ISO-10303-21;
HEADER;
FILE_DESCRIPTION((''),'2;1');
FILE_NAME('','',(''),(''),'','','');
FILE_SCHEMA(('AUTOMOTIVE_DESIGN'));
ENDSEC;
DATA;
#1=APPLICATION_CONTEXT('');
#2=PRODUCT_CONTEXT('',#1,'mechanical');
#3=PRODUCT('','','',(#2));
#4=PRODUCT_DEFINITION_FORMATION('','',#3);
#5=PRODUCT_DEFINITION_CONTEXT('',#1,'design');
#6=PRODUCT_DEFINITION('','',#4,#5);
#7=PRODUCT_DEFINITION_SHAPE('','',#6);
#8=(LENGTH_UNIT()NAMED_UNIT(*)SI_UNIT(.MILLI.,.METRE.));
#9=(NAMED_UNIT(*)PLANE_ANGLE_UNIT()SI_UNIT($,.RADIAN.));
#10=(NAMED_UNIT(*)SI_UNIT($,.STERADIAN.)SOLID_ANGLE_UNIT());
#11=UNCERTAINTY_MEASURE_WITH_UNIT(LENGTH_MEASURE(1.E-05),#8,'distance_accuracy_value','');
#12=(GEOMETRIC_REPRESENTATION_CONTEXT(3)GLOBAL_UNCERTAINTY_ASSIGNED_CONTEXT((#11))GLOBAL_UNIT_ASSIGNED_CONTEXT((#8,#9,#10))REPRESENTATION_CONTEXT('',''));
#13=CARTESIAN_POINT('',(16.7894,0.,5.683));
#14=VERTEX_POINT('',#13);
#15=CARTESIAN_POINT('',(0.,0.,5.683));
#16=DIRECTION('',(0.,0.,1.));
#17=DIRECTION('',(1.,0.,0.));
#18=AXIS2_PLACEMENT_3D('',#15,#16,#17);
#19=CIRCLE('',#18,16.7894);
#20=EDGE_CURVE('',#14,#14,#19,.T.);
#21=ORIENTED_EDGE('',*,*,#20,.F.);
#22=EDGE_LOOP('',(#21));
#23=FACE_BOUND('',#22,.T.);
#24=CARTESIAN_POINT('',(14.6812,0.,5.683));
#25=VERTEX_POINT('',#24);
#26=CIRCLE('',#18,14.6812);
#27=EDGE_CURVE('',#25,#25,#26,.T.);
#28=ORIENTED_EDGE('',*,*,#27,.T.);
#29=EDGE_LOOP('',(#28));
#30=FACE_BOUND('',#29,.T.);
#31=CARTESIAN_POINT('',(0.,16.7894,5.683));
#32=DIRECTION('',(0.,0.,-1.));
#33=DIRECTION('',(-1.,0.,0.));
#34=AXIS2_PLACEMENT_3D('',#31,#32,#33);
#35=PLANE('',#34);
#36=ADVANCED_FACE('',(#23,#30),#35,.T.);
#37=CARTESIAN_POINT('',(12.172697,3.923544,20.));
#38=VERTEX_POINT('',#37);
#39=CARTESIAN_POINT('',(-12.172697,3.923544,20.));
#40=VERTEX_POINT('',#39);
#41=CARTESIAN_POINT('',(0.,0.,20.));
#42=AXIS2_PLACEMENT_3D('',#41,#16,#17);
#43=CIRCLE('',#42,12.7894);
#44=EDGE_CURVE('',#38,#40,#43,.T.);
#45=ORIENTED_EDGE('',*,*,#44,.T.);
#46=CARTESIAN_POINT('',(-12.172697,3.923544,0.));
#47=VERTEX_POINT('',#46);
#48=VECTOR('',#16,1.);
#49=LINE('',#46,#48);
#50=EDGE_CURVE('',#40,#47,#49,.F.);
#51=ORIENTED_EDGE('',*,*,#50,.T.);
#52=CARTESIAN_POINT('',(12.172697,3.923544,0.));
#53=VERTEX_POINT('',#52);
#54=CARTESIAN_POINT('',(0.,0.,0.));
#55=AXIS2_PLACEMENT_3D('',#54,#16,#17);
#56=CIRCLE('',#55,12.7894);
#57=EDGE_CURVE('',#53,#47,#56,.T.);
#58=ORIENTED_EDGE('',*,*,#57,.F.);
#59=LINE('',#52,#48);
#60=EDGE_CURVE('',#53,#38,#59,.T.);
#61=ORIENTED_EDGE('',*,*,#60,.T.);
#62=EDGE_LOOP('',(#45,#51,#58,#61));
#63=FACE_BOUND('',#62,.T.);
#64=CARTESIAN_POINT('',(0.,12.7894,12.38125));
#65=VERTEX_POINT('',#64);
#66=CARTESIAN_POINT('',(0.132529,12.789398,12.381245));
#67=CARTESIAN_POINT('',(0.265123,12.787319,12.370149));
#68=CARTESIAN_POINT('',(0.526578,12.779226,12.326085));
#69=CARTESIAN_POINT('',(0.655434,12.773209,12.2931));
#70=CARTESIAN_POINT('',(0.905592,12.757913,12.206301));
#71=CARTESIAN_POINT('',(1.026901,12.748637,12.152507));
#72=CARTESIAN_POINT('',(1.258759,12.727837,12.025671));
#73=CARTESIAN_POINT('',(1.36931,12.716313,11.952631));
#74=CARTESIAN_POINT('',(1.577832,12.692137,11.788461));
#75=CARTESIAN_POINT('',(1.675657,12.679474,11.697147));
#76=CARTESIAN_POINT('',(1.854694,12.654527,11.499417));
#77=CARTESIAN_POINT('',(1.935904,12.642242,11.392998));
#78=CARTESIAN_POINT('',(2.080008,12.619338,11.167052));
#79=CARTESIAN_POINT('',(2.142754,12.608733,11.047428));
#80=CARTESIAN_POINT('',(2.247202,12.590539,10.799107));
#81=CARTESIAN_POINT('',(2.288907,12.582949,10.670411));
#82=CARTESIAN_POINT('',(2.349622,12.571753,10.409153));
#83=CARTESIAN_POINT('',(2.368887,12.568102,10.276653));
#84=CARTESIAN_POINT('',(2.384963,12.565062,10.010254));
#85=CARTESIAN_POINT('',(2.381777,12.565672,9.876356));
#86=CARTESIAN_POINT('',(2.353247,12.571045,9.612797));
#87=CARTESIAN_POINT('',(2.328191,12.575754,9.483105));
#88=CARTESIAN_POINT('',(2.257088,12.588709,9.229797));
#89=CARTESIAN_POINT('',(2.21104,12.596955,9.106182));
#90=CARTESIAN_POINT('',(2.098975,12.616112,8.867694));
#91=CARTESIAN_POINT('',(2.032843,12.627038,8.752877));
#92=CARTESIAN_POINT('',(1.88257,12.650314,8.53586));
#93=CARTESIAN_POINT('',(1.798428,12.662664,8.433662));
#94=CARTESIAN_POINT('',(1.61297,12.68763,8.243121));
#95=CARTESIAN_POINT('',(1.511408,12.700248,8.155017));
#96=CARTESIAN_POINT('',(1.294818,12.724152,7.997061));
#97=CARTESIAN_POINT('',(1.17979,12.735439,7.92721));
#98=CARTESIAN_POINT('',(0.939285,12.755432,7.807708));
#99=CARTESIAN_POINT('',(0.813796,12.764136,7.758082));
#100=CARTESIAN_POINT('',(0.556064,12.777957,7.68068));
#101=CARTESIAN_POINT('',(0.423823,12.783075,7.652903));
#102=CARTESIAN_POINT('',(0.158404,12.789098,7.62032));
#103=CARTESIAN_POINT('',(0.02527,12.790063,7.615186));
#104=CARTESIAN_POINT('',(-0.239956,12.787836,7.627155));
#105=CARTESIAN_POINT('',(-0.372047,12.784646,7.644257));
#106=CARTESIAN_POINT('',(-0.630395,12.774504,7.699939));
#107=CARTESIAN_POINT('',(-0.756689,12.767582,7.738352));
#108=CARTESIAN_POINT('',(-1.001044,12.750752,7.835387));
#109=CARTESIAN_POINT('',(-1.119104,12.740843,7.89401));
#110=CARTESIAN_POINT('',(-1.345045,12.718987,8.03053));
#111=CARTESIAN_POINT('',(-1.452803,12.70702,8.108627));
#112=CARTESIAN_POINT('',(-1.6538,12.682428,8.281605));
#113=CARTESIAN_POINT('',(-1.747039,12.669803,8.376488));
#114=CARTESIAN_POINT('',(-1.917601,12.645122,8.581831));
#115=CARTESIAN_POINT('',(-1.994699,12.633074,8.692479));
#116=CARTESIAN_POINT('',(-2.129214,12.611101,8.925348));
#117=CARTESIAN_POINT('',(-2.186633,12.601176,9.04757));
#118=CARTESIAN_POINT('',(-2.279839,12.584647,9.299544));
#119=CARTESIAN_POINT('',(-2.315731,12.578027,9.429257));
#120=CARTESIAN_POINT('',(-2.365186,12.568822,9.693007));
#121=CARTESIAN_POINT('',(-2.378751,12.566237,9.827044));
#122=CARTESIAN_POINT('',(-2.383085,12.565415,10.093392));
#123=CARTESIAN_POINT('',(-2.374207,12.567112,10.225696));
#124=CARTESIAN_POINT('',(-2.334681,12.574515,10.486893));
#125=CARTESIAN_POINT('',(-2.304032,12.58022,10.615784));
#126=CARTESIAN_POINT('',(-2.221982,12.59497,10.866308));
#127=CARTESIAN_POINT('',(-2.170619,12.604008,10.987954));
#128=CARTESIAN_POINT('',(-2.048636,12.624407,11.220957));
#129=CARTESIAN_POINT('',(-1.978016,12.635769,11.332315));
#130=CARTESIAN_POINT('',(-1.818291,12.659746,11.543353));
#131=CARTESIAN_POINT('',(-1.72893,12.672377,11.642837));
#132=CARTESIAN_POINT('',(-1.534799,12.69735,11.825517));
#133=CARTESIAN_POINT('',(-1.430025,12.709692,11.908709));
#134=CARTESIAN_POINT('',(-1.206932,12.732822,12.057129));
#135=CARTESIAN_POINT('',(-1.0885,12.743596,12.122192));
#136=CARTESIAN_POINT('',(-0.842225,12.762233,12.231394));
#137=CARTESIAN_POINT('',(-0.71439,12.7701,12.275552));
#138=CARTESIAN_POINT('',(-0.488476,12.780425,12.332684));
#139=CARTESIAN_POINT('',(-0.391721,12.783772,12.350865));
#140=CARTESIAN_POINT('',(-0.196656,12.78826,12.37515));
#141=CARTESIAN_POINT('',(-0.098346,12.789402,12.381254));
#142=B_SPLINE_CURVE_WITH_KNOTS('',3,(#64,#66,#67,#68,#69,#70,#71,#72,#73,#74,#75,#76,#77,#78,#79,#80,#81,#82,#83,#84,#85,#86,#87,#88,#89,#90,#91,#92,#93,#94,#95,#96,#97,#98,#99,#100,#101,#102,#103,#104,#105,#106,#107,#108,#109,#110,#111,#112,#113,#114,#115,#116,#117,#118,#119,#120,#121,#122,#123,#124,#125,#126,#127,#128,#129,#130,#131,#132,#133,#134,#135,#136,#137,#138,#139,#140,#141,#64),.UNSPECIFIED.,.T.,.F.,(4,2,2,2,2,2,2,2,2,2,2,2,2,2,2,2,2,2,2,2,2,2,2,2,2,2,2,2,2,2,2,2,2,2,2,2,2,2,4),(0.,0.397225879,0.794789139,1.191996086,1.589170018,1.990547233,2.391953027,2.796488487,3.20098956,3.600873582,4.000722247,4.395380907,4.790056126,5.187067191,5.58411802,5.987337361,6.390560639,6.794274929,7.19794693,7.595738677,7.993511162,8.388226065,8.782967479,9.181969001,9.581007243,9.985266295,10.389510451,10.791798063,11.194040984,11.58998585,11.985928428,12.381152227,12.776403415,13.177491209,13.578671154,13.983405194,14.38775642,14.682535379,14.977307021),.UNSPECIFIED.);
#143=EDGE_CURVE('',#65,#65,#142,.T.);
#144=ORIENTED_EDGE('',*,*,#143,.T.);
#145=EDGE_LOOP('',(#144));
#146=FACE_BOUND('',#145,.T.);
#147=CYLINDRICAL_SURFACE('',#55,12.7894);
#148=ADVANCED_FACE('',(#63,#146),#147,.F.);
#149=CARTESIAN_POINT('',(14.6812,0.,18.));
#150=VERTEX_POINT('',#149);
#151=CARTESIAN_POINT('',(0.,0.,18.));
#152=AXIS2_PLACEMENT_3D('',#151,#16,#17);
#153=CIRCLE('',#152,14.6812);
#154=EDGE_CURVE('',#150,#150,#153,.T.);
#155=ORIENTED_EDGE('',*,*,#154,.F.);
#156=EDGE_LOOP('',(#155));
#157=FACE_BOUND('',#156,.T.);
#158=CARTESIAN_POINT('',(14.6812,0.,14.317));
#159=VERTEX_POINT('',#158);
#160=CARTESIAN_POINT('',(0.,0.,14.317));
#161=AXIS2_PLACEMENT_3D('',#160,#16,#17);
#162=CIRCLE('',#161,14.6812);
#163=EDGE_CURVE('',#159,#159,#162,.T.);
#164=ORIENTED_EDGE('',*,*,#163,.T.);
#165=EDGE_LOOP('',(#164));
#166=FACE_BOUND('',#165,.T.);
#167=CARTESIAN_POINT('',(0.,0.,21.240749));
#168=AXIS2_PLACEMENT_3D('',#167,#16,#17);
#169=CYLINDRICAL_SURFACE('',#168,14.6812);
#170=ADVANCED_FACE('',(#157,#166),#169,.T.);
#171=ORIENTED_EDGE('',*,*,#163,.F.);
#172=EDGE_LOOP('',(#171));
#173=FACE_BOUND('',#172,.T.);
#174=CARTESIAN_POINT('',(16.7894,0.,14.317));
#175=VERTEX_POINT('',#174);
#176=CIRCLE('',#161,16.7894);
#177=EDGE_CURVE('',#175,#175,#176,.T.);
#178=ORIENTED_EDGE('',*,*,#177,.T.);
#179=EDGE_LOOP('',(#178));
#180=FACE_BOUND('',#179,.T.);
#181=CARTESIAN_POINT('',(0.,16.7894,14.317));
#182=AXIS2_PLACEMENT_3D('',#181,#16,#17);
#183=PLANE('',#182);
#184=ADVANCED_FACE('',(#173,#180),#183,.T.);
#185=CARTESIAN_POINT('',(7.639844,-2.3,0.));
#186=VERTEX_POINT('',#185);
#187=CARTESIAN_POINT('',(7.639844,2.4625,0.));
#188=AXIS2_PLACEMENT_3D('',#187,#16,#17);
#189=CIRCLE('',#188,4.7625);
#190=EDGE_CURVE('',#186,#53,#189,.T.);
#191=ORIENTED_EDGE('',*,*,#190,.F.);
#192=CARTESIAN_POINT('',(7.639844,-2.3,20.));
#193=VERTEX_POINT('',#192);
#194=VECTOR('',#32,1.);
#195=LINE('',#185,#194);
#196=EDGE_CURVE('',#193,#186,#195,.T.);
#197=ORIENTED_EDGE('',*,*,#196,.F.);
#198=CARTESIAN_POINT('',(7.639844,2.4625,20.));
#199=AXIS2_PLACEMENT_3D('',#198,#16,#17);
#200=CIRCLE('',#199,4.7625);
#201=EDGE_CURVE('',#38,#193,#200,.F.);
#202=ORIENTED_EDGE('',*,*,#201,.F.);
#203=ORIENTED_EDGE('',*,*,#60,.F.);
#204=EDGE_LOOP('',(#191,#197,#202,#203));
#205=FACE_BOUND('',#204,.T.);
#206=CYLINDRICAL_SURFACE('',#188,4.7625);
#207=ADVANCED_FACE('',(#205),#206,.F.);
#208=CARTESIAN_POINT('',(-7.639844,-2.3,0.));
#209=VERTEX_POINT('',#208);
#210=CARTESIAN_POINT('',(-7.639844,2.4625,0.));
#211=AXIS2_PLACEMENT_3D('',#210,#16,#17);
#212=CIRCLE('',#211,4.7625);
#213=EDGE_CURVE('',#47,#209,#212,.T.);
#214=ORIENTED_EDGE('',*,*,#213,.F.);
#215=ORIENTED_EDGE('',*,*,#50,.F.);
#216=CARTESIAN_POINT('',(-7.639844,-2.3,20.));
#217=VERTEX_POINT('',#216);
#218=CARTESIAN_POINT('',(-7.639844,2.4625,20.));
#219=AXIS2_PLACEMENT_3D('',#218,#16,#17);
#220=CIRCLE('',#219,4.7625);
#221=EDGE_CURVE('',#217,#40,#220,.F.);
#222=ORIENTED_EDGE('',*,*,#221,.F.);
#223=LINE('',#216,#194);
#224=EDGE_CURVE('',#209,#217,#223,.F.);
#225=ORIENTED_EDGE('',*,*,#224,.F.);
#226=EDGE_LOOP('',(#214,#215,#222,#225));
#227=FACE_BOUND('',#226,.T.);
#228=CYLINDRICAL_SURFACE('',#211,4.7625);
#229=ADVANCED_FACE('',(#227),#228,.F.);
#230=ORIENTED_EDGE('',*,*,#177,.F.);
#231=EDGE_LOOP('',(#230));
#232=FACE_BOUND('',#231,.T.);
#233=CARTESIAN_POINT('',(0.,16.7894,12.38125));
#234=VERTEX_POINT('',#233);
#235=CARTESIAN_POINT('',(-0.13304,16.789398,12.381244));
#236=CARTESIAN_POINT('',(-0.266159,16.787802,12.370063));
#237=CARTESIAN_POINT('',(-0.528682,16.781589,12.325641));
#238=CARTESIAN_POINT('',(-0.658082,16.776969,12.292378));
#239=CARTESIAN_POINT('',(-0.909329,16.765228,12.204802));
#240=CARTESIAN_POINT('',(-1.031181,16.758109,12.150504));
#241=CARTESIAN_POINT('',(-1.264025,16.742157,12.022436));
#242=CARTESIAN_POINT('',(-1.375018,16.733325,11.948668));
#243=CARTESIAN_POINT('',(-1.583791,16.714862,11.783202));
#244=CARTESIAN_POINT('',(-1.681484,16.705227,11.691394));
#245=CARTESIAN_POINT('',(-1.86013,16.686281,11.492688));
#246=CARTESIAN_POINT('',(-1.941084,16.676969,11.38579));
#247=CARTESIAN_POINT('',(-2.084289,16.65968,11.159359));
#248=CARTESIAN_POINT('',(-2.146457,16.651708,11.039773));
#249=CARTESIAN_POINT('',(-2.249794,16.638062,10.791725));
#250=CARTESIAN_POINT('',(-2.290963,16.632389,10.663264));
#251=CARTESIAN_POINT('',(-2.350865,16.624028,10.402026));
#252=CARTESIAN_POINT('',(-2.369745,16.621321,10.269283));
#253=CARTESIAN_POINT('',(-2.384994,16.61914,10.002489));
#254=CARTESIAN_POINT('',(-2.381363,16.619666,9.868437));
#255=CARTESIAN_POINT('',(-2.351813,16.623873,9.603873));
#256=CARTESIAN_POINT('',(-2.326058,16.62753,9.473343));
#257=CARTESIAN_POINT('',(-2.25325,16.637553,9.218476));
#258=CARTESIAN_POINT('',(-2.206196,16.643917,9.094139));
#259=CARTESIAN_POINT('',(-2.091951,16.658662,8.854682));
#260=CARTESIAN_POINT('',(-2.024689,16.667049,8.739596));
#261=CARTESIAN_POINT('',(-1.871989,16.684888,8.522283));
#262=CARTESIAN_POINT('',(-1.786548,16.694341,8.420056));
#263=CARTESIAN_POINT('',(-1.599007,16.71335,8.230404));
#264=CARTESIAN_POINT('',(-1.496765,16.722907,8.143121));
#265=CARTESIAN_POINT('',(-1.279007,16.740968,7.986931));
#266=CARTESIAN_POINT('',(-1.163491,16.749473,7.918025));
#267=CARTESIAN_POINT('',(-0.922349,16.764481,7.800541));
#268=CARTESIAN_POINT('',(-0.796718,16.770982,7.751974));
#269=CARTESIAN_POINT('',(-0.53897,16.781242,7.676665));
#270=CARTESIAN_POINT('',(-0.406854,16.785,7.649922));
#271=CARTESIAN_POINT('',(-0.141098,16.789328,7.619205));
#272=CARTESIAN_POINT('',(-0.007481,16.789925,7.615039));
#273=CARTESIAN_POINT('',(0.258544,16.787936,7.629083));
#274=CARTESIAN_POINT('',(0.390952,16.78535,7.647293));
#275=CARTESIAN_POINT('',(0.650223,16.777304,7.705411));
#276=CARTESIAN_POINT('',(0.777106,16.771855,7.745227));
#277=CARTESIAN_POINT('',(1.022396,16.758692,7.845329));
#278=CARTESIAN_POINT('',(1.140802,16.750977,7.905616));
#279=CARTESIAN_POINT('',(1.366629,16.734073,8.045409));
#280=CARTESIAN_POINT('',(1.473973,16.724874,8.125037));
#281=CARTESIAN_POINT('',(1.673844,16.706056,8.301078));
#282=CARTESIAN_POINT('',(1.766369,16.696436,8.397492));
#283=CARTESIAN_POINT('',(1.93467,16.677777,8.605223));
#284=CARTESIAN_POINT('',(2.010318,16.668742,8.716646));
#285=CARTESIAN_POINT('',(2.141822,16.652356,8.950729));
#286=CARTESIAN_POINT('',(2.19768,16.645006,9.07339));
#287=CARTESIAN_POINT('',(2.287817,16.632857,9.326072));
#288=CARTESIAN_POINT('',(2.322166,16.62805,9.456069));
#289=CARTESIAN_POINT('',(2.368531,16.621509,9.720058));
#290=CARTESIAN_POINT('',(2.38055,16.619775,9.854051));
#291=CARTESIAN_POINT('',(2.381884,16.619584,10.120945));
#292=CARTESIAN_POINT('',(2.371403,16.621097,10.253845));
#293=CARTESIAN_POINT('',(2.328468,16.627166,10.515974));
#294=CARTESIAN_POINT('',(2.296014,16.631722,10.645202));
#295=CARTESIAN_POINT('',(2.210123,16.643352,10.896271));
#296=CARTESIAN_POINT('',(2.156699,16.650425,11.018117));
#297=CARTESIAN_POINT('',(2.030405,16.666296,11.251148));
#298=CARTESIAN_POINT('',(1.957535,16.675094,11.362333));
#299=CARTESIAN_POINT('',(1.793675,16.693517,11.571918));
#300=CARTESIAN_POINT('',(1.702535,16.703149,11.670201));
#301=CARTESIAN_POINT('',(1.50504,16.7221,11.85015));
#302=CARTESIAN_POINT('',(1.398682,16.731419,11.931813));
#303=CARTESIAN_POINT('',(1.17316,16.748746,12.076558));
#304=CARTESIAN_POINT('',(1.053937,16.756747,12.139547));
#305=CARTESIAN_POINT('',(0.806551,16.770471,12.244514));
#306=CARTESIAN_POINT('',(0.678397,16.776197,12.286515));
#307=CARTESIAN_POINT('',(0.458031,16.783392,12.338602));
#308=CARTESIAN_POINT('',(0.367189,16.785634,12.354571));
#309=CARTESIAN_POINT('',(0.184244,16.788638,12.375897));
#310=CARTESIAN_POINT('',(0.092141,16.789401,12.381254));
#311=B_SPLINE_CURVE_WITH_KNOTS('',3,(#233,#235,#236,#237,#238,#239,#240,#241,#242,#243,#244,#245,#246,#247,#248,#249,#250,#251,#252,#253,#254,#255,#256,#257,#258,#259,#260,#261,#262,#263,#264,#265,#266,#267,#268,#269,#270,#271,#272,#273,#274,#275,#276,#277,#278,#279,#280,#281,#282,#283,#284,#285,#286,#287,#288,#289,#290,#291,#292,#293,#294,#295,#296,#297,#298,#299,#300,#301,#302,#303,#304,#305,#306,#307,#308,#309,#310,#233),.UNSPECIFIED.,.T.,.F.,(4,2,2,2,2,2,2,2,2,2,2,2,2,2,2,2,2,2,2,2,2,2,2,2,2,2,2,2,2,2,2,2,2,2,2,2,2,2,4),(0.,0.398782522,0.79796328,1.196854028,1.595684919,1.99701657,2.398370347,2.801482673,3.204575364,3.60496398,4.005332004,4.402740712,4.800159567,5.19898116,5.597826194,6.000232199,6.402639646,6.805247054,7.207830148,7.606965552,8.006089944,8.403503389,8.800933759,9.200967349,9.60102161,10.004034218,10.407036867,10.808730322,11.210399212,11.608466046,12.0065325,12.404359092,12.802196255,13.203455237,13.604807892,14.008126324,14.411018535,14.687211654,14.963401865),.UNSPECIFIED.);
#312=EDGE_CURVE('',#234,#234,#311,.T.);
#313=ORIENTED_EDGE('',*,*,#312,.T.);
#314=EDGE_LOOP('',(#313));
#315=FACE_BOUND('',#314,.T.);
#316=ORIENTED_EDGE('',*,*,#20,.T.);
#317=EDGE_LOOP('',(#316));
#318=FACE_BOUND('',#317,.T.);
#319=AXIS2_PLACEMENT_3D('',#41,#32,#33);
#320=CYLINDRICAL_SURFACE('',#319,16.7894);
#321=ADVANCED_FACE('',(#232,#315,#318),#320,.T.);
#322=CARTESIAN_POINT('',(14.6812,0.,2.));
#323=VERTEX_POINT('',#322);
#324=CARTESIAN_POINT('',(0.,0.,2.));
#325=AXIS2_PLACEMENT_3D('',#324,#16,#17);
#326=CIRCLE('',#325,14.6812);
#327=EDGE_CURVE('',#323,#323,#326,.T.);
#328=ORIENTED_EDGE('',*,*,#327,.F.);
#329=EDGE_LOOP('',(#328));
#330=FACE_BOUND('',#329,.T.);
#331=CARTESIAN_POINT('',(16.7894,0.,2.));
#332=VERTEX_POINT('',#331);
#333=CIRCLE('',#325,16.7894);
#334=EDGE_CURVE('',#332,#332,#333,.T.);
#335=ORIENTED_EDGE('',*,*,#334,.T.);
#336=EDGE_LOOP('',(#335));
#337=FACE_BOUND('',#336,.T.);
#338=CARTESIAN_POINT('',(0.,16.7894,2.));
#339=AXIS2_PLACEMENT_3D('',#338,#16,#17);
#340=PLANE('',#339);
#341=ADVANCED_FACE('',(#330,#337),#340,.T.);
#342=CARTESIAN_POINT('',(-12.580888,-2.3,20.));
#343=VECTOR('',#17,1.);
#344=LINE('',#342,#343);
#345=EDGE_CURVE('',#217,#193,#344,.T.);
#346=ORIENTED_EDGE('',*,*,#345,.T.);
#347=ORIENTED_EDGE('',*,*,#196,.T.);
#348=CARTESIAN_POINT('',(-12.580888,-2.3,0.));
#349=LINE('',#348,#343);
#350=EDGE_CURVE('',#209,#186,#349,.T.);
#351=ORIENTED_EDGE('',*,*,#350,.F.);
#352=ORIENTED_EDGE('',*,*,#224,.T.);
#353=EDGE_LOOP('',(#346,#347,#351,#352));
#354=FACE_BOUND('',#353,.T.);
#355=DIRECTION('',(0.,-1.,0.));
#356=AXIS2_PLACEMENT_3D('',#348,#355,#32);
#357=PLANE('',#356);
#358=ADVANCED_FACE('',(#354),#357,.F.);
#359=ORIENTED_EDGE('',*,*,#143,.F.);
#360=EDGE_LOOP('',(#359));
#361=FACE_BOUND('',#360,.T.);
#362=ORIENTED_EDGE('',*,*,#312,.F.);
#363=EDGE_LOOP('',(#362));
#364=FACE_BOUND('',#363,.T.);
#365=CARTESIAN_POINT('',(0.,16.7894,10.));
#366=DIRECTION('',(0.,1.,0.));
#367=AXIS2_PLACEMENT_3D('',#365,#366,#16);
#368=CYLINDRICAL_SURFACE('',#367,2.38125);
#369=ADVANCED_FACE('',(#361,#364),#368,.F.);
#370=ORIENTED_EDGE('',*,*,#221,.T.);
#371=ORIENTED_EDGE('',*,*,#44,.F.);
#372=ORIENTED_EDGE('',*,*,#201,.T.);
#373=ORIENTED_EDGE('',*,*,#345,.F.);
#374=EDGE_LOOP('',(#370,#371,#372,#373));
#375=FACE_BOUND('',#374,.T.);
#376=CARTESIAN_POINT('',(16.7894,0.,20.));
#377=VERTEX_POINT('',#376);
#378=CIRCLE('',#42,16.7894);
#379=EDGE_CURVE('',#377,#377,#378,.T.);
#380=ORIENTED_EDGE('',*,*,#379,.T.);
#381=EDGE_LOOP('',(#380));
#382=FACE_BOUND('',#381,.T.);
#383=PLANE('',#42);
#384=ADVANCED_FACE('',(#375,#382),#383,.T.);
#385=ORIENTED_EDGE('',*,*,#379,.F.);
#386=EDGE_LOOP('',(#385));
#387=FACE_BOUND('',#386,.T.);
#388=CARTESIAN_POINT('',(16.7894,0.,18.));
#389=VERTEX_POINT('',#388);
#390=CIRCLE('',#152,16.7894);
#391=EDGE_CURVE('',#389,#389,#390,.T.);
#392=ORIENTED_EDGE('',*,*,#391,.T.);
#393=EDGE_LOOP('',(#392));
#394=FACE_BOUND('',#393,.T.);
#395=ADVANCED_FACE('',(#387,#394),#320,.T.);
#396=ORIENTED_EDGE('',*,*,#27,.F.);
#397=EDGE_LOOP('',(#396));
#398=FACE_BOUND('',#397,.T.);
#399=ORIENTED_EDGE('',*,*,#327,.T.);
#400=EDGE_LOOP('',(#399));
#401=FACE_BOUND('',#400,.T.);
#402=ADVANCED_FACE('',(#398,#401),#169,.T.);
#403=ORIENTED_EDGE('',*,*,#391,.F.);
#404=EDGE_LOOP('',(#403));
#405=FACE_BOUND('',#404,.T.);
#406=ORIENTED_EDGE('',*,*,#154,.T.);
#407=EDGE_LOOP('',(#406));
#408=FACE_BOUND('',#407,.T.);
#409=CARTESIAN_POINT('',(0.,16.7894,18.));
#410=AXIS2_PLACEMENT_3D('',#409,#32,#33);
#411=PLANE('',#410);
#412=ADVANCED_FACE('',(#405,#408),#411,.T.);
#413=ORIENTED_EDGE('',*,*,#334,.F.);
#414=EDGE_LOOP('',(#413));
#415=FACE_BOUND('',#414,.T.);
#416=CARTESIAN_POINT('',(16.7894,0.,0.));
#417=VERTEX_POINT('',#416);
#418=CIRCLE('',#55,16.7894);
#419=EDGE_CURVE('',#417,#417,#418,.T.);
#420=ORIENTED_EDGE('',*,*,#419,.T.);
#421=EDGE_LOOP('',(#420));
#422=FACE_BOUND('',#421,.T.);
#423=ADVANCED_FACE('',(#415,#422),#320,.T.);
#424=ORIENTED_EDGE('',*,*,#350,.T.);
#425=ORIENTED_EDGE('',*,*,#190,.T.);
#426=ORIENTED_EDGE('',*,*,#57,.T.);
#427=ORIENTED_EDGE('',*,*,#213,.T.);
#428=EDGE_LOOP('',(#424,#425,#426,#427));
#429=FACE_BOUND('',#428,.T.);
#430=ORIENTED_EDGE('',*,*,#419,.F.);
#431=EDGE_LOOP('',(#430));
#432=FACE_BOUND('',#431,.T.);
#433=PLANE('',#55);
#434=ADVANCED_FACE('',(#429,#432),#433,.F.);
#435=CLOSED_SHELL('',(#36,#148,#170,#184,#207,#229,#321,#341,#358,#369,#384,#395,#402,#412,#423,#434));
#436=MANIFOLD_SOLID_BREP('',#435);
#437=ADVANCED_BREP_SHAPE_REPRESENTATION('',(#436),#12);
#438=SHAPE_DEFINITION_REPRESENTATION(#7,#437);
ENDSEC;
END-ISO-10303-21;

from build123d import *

# Parameters (mm, degrees)
SKETCH1_R                          = 16.7894
BOSS_EXTRUDE1_DEPTH                = 20
SKETCH2_W                          = 3.683
SKETCH2_H                          = 2.1082
CUT_EXTRUDE1_DEPTH                 = 21
FILLET1_R                          = 4.7625
F_3_16_0_1875_DIAMETER_HOLE1_D     = 4.7625
F_3_16_0_1875_DIAMETER_HOLE1_DEPTH = 11.543700016
F_3_16_0_1875_DIAMETER_HOLE1_TIP   = 1.430799349


with BuildPart() as part:
    # Sketch1 → Boss-Extrude1 (new body)
    with BuildSketch(Plane.XY):
        Circle(SKETCH1_R)
    extrude(amount=BOSS_EXTRUDE1_DEPTH)

    # Sketch2 → Cut-Revolve1 (revolve, cut)
    with BuildSketch(Plane(origin=(0, 0, 0), x_dir=(0, 0, -1), z_dir=(1, 0, 0))):
        with Locations((-16.1585, 15.7353)):
            Rectangle(SKETCH2_W, SKETCH2_H)
        with Locations((-3.8415, 15.7353)):
            Rectangle(SKETCH2_W, SKETCH2_H)
    revolve(axis=Axis((0, 0, 21.240749408), (0, 0, -1)), mode=Mode.SUBTRACT)

    # Sketch3 → Cut-Extrude1 (cut, through all)
    with BuildSketch(Plane.XY.offset(20)):
        with BuildLine():
            Line((-12.580888371, -2.300000032), (12.580888371, -2.300000032))
            ThreePointArc((12.580888371, -2.300000032), (0, 12.7894), (-12.580888371, -2.300000032))
        make_face()
    extrude(amount=-CUT_EXTRUDE1_DEPTH, mode=Mode.SUBTRACT)

    # Fillet1
    fillet1_edges = [part.edges().sort_by_distance(p)[0] for p in [
        (-12.580888371, -2.300000032, 10),
        (12.580888371, -2.300000032, 10),
    ]]
    fillet(fillet1_edges, radius=FILLET1_R)

    # 3/16 (0.1875) Diameter Hole1
    with Locations(Plane(origin=(0, 16.7894, 0), x_dir=(-1, 0, 0), z_dir=(0, 1, 0))):
        with Locations((0, 10)):
            Hole(F_3_16_0_1875_DIAMETER_HOLE1_D / 2, depth=F_3_16_0_1875_DIAMETER_HOLE1_DEPTH)
            with Locations((0, 0, -(F_3_16_0_1875_DIAMETER_HOLE1_DEPTH + F_3_16_0_1875_DIAMETER_HOLE1_TIP / 2))):  # 118° drill point
                Cone(0, F_3_16_0_1875_DIAMETER_HOLE1_D / 2, F_3_16_0_1875_DIAMETER_HOLE1_TIP, mode=Mode.SUBTRACT)


solid = part.part
